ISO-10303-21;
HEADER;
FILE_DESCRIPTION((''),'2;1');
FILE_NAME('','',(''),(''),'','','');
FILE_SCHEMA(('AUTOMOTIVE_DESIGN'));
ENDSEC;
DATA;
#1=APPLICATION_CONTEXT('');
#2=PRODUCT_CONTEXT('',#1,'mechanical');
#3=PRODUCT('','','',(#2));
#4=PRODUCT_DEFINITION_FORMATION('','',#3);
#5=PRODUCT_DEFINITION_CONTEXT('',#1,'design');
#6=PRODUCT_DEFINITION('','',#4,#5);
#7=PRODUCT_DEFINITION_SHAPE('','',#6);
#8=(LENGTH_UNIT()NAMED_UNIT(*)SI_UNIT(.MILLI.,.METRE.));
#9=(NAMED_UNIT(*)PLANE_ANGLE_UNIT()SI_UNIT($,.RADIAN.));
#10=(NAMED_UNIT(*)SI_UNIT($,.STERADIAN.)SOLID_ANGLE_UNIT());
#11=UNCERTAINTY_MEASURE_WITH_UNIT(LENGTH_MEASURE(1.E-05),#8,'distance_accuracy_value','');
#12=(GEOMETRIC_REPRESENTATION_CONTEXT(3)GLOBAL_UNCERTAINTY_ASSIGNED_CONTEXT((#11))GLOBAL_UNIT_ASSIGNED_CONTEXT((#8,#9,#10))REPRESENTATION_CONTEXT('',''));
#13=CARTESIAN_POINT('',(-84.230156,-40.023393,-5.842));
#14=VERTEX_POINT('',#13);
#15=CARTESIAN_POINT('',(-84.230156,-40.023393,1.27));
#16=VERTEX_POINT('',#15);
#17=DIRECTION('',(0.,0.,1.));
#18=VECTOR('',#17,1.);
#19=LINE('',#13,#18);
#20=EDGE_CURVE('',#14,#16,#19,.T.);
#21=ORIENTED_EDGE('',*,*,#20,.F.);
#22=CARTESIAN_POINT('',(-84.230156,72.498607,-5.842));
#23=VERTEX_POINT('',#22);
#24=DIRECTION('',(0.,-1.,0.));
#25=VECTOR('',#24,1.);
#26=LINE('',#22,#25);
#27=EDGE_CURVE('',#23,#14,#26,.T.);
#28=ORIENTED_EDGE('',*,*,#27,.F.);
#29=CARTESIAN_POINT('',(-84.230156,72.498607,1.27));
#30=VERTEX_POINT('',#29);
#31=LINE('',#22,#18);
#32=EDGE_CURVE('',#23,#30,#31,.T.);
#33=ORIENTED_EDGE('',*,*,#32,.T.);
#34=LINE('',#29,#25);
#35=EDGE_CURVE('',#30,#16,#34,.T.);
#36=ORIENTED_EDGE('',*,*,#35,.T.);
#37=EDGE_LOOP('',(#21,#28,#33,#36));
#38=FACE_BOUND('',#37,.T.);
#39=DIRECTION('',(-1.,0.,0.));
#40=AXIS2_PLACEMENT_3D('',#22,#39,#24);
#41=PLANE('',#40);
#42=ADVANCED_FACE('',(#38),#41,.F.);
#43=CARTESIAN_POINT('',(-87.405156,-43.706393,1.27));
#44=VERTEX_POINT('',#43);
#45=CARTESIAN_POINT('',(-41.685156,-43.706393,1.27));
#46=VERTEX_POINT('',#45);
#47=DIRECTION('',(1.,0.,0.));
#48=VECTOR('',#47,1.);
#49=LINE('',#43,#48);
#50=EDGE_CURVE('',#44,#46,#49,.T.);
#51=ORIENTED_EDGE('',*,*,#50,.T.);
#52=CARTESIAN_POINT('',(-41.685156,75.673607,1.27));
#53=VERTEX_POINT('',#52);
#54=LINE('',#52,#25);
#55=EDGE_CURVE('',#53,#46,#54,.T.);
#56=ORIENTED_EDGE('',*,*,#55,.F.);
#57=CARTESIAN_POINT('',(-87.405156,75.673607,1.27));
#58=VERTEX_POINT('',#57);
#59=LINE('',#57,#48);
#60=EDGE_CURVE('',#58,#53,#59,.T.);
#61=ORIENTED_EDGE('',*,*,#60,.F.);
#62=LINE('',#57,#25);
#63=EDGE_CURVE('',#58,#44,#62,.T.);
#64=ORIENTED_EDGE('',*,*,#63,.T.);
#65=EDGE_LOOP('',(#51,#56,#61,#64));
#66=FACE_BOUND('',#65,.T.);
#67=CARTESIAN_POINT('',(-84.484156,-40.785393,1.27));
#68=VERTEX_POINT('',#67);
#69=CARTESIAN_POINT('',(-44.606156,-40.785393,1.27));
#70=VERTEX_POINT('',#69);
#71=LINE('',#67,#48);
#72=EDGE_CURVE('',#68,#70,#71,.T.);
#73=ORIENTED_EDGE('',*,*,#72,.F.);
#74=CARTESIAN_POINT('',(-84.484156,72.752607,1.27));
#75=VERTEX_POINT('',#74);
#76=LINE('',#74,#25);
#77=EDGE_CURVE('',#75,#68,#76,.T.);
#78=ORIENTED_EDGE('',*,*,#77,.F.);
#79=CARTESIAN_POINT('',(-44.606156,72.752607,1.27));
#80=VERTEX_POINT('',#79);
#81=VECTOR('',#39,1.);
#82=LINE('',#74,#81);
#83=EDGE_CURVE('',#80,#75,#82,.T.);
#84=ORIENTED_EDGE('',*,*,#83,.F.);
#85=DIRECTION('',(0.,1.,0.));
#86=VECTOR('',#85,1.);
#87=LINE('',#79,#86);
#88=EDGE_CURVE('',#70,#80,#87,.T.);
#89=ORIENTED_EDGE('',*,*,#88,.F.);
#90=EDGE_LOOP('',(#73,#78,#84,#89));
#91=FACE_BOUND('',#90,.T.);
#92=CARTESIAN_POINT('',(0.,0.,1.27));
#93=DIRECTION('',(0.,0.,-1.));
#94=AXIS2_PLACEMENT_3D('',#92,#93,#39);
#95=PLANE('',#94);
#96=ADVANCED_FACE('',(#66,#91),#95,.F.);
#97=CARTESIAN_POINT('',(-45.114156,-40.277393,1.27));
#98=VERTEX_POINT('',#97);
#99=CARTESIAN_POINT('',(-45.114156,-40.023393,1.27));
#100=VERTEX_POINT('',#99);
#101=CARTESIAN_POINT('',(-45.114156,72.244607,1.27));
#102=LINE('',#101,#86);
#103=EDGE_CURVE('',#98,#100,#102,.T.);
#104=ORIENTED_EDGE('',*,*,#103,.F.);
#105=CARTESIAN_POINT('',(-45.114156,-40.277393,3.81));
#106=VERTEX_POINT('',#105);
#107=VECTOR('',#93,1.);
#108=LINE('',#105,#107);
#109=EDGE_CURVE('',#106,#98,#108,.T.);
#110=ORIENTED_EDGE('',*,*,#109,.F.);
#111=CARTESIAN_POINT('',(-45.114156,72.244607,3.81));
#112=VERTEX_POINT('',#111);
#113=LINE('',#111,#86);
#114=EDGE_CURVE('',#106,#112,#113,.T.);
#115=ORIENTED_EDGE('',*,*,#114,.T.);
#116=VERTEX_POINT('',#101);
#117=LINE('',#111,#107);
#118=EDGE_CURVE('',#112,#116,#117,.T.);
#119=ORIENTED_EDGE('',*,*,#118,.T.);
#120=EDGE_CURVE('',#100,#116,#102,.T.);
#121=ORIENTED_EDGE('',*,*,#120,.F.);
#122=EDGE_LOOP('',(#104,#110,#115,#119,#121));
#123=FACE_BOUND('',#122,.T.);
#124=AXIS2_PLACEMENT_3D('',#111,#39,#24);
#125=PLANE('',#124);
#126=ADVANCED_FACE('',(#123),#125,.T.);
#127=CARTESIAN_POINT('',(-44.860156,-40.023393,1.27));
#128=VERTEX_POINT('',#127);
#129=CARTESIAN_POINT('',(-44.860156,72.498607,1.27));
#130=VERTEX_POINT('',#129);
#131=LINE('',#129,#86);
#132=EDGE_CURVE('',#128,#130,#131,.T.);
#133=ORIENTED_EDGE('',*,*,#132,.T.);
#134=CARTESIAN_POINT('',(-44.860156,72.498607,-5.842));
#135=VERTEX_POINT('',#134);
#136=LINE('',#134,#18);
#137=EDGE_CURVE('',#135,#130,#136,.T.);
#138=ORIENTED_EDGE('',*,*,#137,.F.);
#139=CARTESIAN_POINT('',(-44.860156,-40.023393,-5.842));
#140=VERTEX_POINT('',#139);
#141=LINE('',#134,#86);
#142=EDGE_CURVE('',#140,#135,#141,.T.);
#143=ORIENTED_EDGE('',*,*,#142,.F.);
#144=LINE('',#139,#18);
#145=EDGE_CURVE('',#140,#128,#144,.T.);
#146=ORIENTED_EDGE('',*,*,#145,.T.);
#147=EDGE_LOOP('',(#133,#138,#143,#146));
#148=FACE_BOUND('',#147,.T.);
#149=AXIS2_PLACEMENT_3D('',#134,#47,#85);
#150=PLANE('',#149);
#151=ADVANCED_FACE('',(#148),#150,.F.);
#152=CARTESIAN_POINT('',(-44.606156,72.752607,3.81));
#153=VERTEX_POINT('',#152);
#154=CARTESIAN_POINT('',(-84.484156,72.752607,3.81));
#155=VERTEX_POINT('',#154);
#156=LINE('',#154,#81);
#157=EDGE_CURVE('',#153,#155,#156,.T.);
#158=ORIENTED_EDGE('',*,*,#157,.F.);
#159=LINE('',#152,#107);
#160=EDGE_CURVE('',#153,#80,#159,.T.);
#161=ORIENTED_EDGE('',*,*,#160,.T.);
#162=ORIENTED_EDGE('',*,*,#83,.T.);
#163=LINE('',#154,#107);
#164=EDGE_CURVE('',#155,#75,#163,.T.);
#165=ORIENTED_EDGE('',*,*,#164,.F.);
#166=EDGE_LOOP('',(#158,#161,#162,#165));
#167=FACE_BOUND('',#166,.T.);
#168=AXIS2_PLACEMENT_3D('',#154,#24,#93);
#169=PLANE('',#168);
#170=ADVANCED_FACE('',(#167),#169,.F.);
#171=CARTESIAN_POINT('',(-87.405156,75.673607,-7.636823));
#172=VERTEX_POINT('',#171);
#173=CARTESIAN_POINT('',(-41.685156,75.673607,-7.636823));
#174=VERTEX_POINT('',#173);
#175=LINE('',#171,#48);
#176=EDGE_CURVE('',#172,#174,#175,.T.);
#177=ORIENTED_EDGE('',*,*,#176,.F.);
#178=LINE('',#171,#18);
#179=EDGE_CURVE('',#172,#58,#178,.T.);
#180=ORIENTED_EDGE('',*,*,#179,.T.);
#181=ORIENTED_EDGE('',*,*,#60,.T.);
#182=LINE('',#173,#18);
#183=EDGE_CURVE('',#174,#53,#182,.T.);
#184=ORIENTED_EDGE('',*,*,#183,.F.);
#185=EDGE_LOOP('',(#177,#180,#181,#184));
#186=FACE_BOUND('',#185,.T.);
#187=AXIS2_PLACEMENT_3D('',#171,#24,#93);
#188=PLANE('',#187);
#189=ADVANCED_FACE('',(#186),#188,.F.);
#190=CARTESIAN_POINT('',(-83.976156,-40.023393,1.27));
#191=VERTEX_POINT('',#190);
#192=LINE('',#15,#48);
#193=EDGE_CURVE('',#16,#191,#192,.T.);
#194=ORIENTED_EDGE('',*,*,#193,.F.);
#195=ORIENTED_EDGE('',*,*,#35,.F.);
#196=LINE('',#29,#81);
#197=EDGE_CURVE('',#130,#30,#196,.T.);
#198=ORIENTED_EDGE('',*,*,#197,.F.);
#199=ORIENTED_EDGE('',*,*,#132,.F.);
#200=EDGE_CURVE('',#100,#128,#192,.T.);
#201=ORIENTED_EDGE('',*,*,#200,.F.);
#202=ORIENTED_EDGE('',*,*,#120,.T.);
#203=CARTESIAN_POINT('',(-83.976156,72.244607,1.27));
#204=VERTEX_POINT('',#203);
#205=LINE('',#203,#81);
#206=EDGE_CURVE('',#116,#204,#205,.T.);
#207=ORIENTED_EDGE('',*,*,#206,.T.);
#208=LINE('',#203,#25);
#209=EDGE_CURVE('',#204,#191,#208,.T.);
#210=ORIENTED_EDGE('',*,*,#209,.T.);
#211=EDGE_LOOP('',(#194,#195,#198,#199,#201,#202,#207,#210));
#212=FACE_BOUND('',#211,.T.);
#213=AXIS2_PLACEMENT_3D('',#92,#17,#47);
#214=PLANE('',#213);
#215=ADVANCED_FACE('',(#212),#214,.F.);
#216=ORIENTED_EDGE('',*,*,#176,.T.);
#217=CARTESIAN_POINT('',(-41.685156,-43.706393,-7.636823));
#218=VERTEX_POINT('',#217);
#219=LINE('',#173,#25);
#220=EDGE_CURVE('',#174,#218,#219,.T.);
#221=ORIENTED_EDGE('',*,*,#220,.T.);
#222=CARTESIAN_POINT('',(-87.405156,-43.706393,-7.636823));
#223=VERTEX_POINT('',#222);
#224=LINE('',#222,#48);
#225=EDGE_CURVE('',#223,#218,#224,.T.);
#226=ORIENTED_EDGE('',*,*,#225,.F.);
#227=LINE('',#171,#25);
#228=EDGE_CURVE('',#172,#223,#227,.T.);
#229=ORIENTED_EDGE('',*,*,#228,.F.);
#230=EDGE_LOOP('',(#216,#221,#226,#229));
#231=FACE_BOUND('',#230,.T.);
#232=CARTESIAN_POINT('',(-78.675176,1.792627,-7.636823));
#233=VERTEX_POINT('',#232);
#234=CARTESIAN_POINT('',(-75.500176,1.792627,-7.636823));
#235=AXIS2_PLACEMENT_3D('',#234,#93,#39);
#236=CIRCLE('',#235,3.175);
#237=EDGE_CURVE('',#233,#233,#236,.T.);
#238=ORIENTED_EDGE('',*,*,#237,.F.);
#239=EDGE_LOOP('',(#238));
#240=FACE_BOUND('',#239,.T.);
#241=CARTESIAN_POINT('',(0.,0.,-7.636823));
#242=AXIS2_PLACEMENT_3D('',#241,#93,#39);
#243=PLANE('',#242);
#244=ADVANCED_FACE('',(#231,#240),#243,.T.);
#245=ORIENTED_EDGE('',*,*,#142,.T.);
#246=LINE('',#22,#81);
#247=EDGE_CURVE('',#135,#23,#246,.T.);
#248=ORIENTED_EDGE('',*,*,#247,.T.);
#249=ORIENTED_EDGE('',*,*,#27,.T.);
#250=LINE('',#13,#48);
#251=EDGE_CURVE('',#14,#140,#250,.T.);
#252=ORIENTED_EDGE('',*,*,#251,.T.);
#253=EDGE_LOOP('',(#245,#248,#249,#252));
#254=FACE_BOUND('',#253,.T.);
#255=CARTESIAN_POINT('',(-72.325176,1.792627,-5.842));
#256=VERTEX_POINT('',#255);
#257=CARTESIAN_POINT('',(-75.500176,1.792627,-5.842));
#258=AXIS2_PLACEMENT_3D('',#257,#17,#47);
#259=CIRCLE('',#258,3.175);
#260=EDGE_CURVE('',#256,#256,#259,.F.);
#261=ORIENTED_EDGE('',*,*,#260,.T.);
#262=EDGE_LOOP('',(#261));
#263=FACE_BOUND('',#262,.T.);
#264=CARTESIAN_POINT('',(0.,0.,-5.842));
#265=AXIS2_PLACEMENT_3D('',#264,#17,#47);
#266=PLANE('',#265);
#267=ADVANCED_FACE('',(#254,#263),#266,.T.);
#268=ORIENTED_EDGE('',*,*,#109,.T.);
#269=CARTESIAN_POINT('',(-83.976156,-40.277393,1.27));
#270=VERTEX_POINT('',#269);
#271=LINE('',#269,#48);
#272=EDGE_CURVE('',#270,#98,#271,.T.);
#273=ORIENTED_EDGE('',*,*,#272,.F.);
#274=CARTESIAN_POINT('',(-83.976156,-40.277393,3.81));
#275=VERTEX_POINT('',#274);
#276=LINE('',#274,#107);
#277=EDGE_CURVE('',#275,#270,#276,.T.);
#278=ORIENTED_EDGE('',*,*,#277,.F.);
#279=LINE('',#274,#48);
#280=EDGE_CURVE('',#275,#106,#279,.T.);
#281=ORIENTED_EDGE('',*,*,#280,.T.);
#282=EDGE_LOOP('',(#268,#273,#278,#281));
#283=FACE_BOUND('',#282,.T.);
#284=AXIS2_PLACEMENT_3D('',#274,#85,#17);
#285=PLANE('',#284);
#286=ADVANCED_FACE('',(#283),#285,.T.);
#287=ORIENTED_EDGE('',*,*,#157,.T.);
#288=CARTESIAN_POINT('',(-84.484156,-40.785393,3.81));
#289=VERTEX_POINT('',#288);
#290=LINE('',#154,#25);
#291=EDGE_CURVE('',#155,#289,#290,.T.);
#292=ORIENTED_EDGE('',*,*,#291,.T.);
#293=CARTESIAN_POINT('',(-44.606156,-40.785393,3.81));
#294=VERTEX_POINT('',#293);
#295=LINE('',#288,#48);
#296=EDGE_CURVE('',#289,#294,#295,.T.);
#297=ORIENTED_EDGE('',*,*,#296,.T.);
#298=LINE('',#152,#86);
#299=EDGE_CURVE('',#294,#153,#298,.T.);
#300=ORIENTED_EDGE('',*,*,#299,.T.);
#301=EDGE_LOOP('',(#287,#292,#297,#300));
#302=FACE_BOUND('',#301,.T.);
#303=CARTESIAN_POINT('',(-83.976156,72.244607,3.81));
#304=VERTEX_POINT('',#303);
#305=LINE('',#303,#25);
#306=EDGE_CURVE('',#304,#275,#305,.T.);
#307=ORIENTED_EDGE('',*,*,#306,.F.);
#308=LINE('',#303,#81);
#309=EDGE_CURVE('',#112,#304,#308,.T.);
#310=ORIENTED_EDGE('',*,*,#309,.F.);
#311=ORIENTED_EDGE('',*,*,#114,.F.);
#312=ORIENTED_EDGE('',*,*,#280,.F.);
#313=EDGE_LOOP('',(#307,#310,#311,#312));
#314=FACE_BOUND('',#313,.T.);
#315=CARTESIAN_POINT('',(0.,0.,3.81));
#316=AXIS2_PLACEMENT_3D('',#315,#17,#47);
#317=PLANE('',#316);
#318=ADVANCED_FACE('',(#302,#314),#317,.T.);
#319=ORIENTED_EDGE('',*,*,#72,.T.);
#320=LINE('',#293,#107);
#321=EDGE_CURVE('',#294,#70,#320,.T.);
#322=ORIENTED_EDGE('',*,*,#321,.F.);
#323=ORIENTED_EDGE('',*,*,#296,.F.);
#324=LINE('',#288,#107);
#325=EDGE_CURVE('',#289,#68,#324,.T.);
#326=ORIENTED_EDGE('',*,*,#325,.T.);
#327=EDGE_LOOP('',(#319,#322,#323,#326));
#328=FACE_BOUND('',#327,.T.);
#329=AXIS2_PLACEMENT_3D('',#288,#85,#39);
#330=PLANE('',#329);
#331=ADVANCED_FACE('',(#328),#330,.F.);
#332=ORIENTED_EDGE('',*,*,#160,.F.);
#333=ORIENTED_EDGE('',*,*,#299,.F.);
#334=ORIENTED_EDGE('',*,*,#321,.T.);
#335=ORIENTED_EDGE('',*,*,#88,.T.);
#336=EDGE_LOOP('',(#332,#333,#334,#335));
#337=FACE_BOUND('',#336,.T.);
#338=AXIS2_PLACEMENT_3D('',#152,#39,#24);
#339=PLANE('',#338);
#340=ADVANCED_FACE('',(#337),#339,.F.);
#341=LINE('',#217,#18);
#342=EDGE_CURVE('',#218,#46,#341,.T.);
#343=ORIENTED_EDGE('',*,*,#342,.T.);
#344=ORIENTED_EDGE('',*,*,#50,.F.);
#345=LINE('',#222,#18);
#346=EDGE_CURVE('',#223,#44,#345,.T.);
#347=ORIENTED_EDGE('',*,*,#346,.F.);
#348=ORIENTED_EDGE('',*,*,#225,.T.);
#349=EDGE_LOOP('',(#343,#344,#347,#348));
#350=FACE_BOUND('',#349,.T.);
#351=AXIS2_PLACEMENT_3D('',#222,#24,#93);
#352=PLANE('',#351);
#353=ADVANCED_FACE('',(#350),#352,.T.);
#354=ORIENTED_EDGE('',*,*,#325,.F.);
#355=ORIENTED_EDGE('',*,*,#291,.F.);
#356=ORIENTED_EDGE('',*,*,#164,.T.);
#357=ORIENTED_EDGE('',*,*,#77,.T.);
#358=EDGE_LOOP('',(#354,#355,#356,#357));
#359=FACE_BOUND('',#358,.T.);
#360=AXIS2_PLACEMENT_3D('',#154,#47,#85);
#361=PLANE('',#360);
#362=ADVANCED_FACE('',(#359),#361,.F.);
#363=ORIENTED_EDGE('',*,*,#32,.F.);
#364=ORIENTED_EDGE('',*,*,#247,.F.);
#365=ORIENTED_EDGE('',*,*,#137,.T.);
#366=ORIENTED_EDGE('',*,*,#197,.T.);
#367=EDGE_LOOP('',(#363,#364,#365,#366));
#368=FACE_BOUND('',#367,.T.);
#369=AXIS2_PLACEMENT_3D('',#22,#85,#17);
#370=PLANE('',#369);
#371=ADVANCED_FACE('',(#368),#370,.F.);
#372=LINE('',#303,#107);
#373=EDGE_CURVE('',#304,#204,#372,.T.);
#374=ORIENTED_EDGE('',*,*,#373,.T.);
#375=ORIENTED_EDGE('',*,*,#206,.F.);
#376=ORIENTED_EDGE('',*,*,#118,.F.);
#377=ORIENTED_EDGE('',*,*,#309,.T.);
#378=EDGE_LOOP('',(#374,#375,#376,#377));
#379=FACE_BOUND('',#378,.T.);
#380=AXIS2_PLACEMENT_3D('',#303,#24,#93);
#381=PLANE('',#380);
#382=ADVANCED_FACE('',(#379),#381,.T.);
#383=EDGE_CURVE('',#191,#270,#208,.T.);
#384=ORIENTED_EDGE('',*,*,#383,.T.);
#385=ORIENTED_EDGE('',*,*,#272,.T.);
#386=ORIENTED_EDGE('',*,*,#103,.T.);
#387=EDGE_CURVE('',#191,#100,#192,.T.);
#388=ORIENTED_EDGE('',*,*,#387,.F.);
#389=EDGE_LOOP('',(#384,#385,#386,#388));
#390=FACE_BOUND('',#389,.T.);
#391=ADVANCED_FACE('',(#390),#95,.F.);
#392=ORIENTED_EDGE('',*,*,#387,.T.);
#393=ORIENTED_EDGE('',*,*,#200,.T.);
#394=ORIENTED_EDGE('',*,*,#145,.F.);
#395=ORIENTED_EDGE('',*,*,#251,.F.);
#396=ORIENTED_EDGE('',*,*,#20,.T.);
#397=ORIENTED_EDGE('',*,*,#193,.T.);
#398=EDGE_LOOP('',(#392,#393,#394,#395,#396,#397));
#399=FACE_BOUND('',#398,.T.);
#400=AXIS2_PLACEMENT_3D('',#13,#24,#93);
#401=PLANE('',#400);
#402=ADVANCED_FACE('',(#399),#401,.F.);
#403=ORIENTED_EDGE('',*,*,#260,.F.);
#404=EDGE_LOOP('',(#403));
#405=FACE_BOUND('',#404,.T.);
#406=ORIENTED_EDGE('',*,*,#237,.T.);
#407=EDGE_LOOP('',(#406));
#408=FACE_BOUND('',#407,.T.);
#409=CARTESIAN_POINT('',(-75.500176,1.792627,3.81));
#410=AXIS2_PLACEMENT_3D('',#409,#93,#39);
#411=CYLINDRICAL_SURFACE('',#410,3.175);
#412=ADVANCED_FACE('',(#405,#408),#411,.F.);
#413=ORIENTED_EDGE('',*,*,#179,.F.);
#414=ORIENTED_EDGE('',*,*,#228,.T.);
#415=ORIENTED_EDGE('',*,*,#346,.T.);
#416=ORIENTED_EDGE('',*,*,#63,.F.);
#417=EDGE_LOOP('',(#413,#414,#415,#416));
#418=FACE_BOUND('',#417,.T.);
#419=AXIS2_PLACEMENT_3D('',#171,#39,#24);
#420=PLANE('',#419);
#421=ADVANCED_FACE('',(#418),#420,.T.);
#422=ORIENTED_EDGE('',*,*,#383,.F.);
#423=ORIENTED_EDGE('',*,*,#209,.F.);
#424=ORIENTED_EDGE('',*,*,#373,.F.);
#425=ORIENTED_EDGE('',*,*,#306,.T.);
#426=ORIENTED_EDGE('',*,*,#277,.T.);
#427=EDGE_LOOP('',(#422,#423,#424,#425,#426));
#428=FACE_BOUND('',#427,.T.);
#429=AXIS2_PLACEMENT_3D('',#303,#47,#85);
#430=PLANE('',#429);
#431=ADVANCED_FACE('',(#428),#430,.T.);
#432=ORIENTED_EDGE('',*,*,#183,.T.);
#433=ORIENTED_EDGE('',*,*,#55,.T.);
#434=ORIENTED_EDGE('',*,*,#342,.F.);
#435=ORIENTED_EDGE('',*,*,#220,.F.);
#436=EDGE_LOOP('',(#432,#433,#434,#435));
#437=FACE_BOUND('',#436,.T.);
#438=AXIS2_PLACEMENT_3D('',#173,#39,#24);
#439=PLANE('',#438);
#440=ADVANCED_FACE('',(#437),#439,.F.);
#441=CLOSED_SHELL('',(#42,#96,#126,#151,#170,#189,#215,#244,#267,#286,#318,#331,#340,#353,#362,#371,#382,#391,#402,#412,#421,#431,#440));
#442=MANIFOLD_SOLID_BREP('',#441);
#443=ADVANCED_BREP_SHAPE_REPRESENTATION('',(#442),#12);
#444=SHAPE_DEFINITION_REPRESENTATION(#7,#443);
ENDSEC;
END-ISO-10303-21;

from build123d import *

# Parameters (mm, degrees)
SKETCH1_W                = 45.72
SKETCH1_H                = 119.38
BOSS_EXTRUDE1_DEPTH      = 1.27
BOSS_EXTRUDE1_DEPTH_BACK = 7.636822689
SKETCH2_W                = 39.878
SKETCH2_H                = 113.538
SKETCH2_W_2              = 38.862
SKETCH2_H_2              = 112.522
BOSS_EXTRUDE2_DEPTH      = 2.54
SKETCH4_R                = 3.175
CUT_EXTRUDE1_DEPTH       = 12.446822689
SKETCH12_W               = 39.37
SKETCH12_H               = 112.522
CUT_EXTRUDE3_DEPTH       = 7.112


with BuildPart() as part:
    # Sketch1 → Boss-Extrude1 (new body, two sides)
    with BuildSketch(Plane.XY) as boss_extrude1_sk:
        with Locations((-64.545156171, 15.983606897)):
            Rectangle(SKETCH1_W, SKETCH1_H)
    extrude(amount=BOSS_EXTRUDE1_DEPTH)
    extrude(boss_extrude1_sk.sketch, amount=-BOSS_EXTRUDE1_DEPTH_BACK)

    # Sketch2 → Boss-Extrude2 (add)
    with BuildSketch(Plane.XY.offset(1.27)):
        with Locations((-64.545156171, 15.983606897)):
            Rectangle(SKETCH2_W, SKETCH2_H)
        with Locations((-64.545156171, 15.983606897)):
            Rectangle(SKETCH2_W_2, SKETCH2_H_2, mode=Mode.SUBTRACT)
    extrude(amount=BOSS_EXTRUDE2_DEPTH)

    # Sketch4 → Cut-Extrude1 (cut, through all)
    with BuildSketch(Plane(origin=(0, 0, -7.636822689), x_dir=(-1, 0, 0), z_dir=(0, 0, -1))):
        with Locations((75.500176171, 1.792626897)):
            Circle(SKETCH4_R)
    extrude(amount=-CUT_EXTRUDE1_DEPTH, mode=Mode.SUBTRACT)

    # Sketch12 → Cut-Extrude3 (cut)
    with BuildSketch(Plane.XY.offset(1.27)):
        with Locations((-64.545156171, 16.237606897)):
            Rectangle(SKETCH12_W, SKETCH12_H)
    extrude(amount=-CUT_EXTRUDE3_DEPTH, mode=Mode.SUBTRACT)


solid = part.part
